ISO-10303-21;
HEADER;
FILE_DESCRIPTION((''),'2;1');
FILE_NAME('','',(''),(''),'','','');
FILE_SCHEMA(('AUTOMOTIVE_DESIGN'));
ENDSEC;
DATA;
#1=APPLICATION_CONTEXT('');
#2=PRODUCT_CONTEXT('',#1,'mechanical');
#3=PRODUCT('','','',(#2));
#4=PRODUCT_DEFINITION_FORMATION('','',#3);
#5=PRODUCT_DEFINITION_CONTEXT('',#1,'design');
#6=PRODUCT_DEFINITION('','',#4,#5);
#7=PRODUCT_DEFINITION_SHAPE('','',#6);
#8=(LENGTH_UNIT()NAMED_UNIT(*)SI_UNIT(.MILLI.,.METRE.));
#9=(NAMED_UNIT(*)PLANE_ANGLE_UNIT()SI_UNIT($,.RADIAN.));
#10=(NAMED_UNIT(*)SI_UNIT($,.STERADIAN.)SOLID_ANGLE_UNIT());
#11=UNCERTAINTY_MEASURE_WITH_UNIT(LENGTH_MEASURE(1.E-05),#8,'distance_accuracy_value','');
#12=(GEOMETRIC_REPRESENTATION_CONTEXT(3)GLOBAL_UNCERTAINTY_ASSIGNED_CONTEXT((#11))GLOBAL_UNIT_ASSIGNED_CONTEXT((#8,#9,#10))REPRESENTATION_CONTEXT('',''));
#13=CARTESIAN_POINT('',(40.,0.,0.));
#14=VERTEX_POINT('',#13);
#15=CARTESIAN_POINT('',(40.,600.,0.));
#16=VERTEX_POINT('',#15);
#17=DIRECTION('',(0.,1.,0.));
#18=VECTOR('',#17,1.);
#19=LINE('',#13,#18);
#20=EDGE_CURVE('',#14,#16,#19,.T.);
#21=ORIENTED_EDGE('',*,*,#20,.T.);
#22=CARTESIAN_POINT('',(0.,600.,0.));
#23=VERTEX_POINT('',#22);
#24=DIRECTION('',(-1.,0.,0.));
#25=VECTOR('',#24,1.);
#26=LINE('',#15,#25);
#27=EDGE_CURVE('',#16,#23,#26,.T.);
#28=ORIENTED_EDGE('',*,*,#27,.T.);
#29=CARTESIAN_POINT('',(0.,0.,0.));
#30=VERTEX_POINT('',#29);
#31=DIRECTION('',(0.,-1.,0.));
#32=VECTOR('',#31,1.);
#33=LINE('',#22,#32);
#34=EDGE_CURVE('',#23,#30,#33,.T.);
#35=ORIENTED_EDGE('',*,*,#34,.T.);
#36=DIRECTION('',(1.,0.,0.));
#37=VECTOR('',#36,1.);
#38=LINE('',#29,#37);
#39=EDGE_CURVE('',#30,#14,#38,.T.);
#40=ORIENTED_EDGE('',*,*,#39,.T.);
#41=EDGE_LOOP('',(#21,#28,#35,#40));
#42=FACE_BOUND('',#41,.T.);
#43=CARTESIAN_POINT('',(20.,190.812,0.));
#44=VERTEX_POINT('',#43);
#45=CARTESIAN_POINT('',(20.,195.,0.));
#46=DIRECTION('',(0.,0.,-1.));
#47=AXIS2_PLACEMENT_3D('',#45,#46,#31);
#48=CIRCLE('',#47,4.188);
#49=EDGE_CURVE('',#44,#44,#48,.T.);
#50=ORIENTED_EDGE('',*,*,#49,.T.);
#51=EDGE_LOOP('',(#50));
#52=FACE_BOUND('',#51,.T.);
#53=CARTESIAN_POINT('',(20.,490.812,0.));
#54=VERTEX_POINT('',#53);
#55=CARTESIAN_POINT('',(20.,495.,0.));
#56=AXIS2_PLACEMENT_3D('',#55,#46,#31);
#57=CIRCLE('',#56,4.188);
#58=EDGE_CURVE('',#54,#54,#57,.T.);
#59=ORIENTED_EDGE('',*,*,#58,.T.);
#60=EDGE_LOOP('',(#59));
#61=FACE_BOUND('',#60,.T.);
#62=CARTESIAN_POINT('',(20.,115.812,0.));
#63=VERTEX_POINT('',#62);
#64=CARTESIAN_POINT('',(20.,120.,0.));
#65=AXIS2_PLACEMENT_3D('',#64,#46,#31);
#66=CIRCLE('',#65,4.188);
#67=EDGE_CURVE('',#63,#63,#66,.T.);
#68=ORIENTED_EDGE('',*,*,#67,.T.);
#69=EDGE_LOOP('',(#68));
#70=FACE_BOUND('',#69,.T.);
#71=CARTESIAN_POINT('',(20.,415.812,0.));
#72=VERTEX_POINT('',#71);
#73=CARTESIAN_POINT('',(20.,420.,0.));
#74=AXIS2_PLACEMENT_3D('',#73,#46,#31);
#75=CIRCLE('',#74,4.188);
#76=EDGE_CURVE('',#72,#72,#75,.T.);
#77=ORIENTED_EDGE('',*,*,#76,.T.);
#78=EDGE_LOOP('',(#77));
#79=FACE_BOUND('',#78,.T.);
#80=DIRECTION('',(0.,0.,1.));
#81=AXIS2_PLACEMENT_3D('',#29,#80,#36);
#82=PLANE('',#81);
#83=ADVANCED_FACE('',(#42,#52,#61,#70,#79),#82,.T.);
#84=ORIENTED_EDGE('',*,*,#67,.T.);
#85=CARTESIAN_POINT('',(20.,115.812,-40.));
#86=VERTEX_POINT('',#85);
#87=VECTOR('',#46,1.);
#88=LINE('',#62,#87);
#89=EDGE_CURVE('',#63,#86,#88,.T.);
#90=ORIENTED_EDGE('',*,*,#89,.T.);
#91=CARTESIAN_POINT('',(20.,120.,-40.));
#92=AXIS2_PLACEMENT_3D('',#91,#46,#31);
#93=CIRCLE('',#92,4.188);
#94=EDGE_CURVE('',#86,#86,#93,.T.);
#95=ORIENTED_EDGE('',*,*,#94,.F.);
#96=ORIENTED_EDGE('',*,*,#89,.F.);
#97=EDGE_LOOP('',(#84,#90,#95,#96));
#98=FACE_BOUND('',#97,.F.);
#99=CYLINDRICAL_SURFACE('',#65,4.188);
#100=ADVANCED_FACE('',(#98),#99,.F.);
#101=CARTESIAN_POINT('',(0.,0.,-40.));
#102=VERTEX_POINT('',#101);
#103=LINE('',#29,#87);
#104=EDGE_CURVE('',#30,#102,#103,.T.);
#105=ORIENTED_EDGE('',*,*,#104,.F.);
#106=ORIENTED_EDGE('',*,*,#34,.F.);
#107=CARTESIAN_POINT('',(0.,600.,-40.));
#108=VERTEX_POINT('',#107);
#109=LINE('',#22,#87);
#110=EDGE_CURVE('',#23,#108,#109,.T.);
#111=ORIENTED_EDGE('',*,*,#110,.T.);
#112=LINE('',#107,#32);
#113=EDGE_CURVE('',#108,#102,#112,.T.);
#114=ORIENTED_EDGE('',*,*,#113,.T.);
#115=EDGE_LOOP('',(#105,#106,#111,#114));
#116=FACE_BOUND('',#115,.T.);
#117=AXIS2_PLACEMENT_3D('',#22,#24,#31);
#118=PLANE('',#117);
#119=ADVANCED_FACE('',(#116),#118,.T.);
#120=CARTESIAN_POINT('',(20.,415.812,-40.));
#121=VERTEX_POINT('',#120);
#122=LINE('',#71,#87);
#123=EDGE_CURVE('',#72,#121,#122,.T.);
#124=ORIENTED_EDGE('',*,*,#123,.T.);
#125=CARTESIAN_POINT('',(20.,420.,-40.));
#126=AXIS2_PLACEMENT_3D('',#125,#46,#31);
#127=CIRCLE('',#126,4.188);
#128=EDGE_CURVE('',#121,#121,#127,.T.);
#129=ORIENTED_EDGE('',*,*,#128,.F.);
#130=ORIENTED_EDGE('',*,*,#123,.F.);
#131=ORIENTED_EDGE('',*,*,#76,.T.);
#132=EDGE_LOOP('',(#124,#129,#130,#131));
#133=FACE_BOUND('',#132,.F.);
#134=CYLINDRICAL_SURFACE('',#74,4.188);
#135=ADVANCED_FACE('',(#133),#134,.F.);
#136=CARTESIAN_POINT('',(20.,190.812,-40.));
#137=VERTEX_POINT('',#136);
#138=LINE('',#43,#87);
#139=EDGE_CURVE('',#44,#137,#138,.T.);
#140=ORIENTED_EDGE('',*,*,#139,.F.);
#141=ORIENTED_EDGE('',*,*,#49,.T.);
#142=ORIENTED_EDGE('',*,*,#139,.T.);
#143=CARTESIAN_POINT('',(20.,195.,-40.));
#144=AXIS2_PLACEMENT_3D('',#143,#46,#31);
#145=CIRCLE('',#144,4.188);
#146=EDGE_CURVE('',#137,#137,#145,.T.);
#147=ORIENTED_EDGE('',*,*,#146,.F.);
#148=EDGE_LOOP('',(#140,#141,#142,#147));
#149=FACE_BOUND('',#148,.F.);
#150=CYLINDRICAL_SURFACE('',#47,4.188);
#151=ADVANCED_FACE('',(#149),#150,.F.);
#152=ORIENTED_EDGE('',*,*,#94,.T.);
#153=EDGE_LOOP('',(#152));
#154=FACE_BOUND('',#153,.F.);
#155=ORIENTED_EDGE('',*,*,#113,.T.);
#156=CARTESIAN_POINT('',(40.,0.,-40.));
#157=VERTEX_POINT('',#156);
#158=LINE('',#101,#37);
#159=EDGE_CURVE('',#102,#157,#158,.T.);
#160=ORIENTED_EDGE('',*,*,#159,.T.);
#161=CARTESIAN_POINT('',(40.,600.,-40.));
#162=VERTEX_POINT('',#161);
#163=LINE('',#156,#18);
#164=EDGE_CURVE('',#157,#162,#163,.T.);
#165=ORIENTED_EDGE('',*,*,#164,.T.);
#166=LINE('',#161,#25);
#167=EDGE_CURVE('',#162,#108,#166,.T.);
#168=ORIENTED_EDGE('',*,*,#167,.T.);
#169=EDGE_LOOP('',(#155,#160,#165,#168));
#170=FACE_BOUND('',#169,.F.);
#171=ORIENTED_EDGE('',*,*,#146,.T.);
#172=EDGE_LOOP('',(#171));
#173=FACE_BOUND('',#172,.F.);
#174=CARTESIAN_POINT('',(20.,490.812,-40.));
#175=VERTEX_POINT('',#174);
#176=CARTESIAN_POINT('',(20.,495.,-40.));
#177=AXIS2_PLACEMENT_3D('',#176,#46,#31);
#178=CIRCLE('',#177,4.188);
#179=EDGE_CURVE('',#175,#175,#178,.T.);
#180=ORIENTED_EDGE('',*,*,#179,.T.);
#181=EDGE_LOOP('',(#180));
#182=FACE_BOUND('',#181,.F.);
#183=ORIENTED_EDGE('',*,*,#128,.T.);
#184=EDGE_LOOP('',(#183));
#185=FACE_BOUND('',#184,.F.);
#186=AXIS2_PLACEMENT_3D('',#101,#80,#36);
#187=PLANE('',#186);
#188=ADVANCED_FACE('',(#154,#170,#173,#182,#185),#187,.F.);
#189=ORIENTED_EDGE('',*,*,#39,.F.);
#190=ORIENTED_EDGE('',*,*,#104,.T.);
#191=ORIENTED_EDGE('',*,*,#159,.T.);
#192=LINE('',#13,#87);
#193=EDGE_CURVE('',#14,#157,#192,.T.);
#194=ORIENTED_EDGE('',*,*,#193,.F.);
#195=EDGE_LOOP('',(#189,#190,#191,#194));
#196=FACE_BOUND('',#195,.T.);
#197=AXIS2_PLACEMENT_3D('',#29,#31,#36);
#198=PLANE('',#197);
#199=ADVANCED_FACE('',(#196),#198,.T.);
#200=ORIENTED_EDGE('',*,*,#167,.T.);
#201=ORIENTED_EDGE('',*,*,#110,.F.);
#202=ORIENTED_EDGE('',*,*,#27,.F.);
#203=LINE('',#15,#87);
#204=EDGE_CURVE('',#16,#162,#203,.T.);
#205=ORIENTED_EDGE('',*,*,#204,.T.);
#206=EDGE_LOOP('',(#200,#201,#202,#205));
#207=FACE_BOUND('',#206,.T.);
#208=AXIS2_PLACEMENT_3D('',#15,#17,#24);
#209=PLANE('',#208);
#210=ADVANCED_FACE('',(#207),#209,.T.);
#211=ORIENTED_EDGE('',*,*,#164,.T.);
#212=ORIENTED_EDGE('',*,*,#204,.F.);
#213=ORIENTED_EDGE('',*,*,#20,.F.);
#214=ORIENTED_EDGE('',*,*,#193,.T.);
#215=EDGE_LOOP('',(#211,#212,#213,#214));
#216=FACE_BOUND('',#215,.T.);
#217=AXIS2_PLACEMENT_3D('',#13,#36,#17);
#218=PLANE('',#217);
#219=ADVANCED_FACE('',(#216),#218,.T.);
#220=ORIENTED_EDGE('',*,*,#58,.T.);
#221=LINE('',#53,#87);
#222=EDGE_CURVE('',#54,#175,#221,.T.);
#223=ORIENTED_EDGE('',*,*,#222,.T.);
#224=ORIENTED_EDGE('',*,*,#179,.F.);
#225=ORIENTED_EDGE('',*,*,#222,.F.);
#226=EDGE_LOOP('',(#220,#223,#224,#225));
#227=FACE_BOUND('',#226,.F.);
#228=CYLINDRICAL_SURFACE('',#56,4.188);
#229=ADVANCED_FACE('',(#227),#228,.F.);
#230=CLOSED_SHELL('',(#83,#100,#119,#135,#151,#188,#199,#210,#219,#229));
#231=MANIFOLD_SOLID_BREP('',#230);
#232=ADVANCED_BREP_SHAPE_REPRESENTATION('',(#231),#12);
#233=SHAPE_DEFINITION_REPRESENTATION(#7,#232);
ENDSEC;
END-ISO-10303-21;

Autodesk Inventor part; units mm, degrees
ref_plane "YZ Plane" through (0, 0, 0) normal (1, 0, 0) x (0, 1, 0)
ref_plane "XZ Plane" through (0, 0, 0) normal (0, 1, 0) x (-1, 0, 0)
ref_plane "XY Plane" through (0, 0, 0) normal (0, 0, 1) x (1, 0, 0)
sketch "Sketch1" plane through (0, 0, 0) normal (0, 0, 1) x (1, 0, 0)
  line L0 (0, 0) -> (40, 0)
  line L1 (40, 0) -> (40, 600)
  line L2 (40, 600) -> (0, 600)
  line L3 (0, 600) -> (0, 0)
  point P0 (20, 600)
  dimension "d0" = 40
  dimension "d1" = 600
extrude "Extrusion1" add sketch "Sketch1" against normal blind 40
sketch "Sketch2" plane through (0, 0, 0) normal (0, 0, 1) x (1, 0, 0)
  line L0 (40, 600) -> (0, 600) projected
  line L1 (0, 600) -> (0, 0) projected
  line L2 (40, 0) -> (40, 600) projected
  line L3 (0, 0) -> (40, 0) projected
  point P0 (20, 495)
  point P1 (20, 420)
  point P2 (20, 345)
  point P3 (20, 270)
  point P4 (20, 195)
  point P5 (20, 120)
  point P6 (20, 0)
  dimension "d26" = 105
  dimension "d27" = 20
  dimension "d28" = 40
  dimension "d29" = 600
  dimension "d30" = 75
  dimension "d31" = 20
  dimension "d32" = 75
  dimension "d33" = 20
  dimension "d34" = 75
  dimension "d35" = 20
  dimension "d36" = 75
  dimension "d37" = 20
  dimension "d38" = 75
  dimension "d39" = 20
hole "Hole1" at (20, 495, 0) at (20, 420, 0) at (20, 195, 0) at (20, 120, 0) direction (0, 0, -1) diameter 8.376 end through all thread size "M10x1.5" class "6H" standard "ISO Metric profile"
equation "\"d27\" = 0.5 * d28"
equation "\"d31\" = d27"
equation "\"d32\" = d30"
equation "\"d33\" = d31"
equation "\"d34\" = d32"
equation "\"d35\" = d33"
equation "\"d36\" = d34"
equation "\"d37\" = d35"
equation "\"d38\" = d36"
equation "\"d39\" = d37"
properties part number "Shorter side frame"
